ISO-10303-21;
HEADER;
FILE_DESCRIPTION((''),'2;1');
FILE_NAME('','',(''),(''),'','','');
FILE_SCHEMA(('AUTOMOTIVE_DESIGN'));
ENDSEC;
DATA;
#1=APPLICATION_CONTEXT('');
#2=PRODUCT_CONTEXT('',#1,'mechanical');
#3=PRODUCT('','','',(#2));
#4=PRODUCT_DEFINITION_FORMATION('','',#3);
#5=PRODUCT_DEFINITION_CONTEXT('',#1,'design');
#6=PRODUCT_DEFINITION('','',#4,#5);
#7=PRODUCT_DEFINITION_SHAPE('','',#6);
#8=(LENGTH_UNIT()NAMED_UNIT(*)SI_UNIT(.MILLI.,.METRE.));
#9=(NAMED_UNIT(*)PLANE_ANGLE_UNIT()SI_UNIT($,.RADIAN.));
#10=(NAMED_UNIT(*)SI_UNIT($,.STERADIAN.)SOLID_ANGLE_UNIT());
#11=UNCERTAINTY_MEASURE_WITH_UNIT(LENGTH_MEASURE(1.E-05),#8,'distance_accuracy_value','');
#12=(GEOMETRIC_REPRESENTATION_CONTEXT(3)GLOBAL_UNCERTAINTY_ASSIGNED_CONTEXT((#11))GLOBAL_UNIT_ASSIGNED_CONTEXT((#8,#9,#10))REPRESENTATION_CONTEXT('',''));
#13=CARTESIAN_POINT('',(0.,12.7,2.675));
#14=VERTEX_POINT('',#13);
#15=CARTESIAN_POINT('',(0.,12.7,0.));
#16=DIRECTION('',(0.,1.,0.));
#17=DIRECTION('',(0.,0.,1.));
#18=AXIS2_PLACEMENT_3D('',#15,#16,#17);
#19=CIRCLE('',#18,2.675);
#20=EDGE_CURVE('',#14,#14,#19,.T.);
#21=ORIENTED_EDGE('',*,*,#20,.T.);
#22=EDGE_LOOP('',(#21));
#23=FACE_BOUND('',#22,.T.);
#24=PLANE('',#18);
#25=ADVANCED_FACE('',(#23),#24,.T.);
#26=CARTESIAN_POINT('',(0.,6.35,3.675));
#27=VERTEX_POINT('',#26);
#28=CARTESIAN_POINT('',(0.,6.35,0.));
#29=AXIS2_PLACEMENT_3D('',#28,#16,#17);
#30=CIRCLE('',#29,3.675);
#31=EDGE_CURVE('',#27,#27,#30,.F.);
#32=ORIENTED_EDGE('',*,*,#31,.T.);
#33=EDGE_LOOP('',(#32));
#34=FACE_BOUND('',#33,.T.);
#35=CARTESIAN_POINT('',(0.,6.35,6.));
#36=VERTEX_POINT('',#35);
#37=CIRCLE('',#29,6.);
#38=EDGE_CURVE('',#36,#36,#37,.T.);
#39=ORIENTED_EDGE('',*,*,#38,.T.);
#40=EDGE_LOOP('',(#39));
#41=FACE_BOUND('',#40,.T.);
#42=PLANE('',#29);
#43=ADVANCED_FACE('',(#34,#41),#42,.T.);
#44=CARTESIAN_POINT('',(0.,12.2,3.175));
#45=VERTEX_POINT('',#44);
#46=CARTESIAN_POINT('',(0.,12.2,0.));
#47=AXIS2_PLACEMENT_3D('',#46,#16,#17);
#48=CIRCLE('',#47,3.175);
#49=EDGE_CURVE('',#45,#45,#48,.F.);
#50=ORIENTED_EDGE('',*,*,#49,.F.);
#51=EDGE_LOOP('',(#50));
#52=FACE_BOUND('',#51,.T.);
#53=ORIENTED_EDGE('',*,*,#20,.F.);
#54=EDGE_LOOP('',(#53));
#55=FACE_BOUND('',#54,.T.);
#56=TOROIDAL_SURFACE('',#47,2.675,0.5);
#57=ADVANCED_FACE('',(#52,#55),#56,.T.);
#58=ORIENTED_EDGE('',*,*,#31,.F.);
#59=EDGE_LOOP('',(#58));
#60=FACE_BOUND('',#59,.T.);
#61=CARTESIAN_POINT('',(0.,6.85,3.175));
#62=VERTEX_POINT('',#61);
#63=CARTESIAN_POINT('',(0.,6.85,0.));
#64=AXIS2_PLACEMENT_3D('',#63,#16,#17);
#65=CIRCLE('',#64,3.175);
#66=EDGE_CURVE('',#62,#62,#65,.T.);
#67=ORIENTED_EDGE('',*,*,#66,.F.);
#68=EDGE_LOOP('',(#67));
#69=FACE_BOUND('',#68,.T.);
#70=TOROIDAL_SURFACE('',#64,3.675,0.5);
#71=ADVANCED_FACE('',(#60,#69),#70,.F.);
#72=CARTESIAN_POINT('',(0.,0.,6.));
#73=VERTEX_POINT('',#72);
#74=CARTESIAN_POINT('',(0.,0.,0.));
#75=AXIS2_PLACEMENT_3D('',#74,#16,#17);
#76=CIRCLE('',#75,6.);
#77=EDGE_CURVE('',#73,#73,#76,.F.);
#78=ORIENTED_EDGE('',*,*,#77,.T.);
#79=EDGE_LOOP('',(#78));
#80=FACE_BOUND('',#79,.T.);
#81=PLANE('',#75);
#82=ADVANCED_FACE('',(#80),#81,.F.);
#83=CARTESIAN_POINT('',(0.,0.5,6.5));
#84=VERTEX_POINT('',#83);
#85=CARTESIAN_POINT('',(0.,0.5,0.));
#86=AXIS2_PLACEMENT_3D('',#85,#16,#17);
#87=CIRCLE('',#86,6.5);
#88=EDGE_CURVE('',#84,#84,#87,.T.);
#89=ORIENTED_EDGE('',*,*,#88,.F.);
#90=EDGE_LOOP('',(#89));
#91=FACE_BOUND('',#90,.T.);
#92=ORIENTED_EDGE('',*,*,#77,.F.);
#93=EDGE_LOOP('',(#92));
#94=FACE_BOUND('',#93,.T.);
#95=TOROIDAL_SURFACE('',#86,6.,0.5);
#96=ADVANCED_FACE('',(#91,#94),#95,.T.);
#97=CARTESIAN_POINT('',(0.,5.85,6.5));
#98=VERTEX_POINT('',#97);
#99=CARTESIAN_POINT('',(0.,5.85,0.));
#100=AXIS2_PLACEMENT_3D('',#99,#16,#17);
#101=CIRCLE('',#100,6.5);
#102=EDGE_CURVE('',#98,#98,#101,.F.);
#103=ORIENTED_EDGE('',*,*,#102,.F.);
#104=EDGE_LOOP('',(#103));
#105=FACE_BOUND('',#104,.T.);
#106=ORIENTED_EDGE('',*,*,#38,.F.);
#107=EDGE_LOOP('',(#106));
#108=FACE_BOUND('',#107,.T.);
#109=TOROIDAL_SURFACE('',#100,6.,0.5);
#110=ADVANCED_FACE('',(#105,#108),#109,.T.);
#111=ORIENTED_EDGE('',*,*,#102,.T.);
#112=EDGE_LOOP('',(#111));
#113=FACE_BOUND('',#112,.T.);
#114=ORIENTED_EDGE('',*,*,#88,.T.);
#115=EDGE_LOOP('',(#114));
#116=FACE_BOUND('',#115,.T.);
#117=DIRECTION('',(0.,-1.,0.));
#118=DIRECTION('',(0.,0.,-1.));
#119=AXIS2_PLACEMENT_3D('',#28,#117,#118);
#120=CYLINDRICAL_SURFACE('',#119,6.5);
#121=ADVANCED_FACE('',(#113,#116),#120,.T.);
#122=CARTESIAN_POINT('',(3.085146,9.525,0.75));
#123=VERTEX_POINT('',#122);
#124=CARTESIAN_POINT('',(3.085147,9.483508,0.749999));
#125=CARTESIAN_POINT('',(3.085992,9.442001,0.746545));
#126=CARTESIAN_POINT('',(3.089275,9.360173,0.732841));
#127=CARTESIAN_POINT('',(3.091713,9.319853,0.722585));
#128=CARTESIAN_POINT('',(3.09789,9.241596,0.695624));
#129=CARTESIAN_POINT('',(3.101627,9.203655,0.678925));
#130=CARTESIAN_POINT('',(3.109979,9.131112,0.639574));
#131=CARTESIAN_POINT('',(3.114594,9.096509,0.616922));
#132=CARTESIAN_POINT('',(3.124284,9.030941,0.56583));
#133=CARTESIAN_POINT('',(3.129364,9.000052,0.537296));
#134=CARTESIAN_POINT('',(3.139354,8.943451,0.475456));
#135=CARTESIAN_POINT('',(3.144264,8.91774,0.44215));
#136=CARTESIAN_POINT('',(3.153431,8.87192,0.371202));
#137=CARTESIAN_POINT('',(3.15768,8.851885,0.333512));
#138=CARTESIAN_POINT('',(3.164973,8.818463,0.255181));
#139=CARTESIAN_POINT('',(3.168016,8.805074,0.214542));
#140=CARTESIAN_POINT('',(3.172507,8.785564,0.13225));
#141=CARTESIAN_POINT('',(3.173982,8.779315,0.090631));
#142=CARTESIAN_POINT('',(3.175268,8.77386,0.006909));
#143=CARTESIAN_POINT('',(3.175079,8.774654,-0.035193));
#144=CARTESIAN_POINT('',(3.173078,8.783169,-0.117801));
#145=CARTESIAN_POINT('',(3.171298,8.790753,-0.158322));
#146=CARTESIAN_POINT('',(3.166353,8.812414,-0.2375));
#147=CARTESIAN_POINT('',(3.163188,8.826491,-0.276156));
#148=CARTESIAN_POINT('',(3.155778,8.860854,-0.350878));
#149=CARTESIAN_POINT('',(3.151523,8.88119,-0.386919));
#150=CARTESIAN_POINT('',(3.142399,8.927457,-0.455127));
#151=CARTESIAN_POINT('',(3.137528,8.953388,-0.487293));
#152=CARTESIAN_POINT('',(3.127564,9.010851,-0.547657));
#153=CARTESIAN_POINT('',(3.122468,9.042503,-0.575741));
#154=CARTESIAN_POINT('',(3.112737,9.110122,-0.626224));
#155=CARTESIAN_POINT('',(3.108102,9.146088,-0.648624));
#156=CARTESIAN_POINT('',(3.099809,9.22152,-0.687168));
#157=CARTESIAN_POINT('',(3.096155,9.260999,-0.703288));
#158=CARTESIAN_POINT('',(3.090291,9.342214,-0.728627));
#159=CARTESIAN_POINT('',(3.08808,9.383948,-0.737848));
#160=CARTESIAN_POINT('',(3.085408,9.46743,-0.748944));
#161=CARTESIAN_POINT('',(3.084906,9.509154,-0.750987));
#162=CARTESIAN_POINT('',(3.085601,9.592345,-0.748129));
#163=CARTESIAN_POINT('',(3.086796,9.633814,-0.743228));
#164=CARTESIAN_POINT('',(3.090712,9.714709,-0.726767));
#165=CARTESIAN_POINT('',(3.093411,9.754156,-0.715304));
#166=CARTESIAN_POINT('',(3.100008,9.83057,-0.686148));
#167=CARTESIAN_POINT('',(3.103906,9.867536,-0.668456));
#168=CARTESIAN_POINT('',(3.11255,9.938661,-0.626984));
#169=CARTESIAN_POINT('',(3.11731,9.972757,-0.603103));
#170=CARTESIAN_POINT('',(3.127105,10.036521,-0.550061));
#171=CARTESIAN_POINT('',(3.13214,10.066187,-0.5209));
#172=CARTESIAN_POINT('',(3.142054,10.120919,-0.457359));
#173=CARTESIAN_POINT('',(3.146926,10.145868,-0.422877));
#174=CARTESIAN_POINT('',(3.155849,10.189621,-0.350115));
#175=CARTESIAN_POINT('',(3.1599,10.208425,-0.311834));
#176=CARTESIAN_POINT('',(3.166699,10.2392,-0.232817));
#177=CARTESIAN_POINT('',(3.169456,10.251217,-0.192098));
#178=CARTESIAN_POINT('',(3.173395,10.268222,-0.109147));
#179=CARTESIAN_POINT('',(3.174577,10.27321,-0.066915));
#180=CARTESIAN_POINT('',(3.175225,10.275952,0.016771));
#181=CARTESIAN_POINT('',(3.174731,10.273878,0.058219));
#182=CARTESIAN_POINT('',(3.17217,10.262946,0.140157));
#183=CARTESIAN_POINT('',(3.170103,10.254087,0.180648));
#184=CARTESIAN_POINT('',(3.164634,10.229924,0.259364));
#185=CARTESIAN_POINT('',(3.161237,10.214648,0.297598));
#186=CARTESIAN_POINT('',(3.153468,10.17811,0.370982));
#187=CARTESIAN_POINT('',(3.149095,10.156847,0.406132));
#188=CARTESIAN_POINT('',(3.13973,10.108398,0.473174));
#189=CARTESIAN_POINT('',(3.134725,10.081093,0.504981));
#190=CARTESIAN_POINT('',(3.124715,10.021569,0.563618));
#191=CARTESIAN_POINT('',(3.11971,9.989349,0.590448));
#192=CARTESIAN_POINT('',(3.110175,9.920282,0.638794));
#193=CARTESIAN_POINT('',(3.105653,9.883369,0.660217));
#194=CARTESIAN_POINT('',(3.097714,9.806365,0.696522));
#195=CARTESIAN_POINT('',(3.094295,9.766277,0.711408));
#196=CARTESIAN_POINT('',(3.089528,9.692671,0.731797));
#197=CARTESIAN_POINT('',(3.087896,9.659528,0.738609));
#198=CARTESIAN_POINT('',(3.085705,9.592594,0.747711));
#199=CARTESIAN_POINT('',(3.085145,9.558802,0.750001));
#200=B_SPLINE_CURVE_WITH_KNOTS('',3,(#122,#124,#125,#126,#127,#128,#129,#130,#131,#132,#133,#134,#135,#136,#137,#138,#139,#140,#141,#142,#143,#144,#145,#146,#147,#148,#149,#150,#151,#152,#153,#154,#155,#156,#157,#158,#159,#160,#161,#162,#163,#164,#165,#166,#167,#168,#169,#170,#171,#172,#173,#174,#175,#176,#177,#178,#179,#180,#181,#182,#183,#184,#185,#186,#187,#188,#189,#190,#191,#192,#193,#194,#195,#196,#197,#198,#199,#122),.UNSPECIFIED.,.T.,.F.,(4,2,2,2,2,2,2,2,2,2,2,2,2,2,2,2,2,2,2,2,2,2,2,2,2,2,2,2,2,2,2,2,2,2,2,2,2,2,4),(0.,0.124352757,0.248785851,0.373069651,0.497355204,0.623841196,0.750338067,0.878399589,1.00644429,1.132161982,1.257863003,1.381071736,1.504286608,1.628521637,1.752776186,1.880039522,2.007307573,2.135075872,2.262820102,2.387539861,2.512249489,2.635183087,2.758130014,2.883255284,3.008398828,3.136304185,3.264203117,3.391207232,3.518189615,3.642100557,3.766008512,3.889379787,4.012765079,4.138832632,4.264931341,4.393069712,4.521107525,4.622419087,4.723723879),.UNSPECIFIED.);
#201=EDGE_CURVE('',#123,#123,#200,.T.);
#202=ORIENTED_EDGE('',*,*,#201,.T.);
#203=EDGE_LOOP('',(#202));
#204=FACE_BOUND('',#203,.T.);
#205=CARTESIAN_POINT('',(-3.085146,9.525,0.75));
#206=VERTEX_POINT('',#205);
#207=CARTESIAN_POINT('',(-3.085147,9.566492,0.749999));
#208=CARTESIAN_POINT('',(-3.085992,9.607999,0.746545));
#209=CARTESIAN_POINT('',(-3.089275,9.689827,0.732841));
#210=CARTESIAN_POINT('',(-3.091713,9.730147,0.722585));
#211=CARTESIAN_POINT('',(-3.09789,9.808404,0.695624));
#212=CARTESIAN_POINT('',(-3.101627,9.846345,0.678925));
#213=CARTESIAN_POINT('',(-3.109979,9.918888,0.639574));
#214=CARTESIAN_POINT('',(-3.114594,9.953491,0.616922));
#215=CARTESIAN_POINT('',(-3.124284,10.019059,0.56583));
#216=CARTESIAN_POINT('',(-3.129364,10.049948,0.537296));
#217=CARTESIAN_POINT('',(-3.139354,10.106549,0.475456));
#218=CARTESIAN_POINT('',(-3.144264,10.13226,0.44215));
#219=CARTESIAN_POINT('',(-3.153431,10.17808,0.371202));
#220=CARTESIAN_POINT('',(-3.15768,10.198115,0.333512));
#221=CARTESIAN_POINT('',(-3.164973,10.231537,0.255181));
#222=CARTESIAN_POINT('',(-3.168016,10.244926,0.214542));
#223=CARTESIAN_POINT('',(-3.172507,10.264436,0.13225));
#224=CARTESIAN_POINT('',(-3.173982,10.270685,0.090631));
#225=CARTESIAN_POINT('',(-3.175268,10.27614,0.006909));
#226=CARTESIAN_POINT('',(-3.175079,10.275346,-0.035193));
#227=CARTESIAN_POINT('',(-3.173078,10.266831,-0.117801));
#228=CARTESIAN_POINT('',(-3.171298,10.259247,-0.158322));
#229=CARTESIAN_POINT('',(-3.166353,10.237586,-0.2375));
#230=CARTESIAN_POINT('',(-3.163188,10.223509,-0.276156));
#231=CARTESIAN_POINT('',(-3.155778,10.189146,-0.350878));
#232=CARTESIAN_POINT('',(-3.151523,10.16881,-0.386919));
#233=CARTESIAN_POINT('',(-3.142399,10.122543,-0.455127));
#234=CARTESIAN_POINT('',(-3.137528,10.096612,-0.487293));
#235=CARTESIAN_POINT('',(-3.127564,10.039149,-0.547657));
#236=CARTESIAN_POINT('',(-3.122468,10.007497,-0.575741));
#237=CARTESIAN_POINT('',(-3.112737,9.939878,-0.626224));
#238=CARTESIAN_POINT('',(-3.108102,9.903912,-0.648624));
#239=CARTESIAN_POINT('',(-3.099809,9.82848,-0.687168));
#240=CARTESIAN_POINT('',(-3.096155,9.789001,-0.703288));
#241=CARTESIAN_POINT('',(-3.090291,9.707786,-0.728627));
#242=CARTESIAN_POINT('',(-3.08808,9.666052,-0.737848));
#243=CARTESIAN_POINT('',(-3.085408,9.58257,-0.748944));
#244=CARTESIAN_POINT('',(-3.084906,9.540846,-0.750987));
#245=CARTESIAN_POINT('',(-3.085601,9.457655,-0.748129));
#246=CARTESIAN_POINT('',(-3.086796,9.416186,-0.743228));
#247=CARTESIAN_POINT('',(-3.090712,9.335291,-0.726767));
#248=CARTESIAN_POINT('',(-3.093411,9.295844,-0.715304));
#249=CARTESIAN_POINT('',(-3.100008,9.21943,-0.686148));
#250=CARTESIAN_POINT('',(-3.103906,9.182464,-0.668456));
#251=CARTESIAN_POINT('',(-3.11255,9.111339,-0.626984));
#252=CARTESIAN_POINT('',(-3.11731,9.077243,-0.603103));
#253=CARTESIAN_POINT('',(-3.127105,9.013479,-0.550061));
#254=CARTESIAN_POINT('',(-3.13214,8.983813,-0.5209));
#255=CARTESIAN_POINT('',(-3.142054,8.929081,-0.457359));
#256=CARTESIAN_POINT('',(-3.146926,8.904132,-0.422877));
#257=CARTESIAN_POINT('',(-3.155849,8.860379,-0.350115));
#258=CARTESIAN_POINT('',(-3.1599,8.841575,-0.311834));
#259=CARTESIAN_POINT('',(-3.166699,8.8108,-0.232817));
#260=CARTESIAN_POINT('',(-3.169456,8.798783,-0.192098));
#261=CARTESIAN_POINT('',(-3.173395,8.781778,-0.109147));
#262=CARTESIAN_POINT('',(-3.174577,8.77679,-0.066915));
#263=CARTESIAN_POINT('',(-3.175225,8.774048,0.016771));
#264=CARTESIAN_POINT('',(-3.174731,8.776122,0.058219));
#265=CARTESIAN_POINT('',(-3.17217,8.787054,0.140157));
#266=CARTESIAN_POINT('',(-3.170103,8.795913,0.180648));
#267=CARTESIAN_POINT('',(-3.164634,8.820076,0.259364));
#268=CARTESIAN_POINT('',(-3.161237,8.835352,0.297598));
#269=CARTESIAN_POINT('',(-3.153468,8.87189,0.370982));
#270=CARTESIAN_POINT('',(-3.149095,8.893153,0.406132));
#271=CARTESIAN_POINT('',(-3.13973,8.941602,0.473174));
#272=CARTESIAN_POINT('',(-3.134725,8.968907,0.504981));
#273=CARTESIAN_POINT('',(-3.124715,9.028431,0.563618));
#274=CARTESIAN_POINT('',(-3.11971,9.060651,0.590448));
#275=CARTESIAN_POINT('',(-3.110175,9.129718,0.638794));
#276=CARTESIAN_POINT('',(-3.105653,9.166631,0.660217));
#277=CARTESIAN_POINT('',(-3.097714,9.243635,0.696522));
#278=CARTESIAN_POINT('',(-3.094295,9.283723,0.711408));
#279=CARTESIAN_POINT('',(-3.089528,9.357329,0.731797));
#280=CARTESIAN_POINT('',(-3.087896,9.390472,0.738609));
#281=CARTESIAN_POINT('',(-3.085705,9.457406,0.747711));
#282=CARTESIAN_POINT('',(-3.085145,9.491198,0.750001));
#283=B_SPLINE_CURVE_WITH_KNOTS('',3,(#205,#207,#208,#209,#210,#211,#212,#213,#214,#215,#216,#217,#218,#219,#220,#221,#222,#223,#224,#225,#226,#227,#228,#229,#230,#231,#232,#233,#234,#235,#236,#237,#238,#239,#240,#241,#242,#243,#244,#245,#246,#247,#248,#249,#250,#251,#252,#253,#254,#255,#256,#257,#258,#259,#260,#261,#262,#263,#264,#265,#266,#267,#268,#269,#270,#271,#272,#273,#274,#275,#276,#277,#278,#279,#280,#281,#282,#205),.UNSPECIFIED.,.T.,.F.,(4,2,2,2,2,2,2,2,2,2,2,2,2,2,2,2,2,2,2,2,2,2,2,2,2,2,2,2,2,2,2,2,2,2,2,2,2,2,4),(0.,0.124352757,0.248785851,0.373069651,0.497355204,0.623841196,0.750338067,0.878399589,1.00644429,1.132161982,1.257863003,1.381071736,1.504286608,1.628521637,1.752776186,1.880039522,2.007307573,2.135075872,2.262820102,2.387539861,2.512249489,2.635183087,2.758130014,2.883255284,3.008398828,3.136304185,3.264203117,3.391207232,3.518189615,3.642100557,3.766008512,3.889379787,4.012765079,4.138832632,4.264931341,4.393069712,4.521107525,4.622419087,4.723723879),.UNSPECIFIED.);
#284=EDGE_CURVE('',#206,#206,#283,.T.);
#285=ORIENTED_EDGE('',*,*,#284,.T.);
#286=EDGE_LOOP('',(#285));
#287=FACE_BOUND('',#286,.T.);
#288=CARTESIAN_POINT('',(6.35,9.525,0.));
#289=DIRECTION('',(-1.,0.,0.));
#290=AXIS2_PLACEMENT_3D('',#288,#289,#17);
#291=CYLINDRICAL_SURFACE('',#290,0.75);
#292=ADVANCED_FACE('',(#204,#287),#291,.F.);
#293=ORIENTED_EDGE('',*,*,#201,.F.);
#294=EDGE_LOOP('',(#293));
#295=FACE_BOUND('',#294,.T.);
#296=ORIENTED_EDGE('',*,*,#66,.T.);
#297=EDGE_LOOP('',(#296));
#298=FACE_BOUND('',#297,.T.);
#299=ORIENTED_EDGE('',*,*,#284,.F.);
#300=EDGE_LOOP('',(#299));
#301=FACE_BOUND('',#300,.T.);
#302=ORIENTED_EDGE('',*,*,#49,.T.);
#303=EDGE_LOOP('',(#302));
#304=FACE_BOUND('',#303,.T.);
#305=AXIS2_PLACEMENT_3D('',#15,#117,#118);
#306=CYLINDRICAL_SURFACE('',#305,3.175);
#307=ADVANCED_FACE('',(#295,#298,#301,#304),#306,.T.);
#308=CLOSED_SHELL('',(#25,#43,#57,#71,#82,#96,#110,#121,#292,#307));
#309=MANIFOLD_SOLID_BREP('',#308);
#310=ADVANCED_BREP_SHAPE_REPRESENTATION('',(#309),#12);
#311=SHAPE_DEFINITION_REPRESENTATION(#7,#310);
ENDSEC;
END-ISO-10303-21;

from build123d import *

# Parameters (mm, degrees)
SKETCH2_R               = 6.5
BOSS_EXTRUDE1_DEPTH     = 6.35
SKETCH3_R               = 3.175
BOSS_EXTRUDE2_DEPTH     = 6.35
CUT_EXTRUDE1_DEPTH      = 6.35
CUT_EXTRUDE1_DEPTH_BACK = 6.35
SKETCH4_R               = 0.75
FILLET1_R               = 0.5


with BuildPart() as part:
    # Sketch2 → Boss-Extrude1 (new body)
    with BuildSketch(Plane(origin=(0, 0, 0), x_dir=(1, 0, 0), z_dir=(0, 1, 0))):
        Circle(SKETCH2_R)
    extrude(amount=BOSS_EXTRUDE1_DEPTH)

    # Sketch3 → Boss-Extrude2 (add)
    with BuildSketch(Plane(origin=(0, 6.35, 0), x_dir=(1, 0, 0), z_dir=(0, 1, 0))):
        Circle(SKETCH3_R)
    extrude(amount=BOSS_EXTRUDE2_DEPTH)

    # Sketch4 → Cut-Extrude1 (cut, two sides: drawn at the far end of the back side and taken through both)
    with BuildSketch(Plane(origin=(0, 0, 0), x_dir=(0, 0, -1), z_dir=(1, 0, 0)).offset(-CUT_EXTRUDE1_DEPTH_BACK)):
        with Locations((0, 9.525)):
            Circle(SKETCH4_R)
    extrude(amount=CUT_EXTRUDE1_DEPTH + CUT_EXTRUDE1_DEPTH_BACK, mode=Mode.SUBTRACT)

    # Fillet1
    fillet1_edges = [part.edges().sort_by_distance(p)[0] for p in [
        (-6.5, 0, 0),
        (-3.175, 12.7, 0),
        (-6.5, 6.35, 0),
        (-3.175, 6.35, 0),
    ]]
    fillet(fillet1_edges, radius=FILLET1_R)


solid = part.part
